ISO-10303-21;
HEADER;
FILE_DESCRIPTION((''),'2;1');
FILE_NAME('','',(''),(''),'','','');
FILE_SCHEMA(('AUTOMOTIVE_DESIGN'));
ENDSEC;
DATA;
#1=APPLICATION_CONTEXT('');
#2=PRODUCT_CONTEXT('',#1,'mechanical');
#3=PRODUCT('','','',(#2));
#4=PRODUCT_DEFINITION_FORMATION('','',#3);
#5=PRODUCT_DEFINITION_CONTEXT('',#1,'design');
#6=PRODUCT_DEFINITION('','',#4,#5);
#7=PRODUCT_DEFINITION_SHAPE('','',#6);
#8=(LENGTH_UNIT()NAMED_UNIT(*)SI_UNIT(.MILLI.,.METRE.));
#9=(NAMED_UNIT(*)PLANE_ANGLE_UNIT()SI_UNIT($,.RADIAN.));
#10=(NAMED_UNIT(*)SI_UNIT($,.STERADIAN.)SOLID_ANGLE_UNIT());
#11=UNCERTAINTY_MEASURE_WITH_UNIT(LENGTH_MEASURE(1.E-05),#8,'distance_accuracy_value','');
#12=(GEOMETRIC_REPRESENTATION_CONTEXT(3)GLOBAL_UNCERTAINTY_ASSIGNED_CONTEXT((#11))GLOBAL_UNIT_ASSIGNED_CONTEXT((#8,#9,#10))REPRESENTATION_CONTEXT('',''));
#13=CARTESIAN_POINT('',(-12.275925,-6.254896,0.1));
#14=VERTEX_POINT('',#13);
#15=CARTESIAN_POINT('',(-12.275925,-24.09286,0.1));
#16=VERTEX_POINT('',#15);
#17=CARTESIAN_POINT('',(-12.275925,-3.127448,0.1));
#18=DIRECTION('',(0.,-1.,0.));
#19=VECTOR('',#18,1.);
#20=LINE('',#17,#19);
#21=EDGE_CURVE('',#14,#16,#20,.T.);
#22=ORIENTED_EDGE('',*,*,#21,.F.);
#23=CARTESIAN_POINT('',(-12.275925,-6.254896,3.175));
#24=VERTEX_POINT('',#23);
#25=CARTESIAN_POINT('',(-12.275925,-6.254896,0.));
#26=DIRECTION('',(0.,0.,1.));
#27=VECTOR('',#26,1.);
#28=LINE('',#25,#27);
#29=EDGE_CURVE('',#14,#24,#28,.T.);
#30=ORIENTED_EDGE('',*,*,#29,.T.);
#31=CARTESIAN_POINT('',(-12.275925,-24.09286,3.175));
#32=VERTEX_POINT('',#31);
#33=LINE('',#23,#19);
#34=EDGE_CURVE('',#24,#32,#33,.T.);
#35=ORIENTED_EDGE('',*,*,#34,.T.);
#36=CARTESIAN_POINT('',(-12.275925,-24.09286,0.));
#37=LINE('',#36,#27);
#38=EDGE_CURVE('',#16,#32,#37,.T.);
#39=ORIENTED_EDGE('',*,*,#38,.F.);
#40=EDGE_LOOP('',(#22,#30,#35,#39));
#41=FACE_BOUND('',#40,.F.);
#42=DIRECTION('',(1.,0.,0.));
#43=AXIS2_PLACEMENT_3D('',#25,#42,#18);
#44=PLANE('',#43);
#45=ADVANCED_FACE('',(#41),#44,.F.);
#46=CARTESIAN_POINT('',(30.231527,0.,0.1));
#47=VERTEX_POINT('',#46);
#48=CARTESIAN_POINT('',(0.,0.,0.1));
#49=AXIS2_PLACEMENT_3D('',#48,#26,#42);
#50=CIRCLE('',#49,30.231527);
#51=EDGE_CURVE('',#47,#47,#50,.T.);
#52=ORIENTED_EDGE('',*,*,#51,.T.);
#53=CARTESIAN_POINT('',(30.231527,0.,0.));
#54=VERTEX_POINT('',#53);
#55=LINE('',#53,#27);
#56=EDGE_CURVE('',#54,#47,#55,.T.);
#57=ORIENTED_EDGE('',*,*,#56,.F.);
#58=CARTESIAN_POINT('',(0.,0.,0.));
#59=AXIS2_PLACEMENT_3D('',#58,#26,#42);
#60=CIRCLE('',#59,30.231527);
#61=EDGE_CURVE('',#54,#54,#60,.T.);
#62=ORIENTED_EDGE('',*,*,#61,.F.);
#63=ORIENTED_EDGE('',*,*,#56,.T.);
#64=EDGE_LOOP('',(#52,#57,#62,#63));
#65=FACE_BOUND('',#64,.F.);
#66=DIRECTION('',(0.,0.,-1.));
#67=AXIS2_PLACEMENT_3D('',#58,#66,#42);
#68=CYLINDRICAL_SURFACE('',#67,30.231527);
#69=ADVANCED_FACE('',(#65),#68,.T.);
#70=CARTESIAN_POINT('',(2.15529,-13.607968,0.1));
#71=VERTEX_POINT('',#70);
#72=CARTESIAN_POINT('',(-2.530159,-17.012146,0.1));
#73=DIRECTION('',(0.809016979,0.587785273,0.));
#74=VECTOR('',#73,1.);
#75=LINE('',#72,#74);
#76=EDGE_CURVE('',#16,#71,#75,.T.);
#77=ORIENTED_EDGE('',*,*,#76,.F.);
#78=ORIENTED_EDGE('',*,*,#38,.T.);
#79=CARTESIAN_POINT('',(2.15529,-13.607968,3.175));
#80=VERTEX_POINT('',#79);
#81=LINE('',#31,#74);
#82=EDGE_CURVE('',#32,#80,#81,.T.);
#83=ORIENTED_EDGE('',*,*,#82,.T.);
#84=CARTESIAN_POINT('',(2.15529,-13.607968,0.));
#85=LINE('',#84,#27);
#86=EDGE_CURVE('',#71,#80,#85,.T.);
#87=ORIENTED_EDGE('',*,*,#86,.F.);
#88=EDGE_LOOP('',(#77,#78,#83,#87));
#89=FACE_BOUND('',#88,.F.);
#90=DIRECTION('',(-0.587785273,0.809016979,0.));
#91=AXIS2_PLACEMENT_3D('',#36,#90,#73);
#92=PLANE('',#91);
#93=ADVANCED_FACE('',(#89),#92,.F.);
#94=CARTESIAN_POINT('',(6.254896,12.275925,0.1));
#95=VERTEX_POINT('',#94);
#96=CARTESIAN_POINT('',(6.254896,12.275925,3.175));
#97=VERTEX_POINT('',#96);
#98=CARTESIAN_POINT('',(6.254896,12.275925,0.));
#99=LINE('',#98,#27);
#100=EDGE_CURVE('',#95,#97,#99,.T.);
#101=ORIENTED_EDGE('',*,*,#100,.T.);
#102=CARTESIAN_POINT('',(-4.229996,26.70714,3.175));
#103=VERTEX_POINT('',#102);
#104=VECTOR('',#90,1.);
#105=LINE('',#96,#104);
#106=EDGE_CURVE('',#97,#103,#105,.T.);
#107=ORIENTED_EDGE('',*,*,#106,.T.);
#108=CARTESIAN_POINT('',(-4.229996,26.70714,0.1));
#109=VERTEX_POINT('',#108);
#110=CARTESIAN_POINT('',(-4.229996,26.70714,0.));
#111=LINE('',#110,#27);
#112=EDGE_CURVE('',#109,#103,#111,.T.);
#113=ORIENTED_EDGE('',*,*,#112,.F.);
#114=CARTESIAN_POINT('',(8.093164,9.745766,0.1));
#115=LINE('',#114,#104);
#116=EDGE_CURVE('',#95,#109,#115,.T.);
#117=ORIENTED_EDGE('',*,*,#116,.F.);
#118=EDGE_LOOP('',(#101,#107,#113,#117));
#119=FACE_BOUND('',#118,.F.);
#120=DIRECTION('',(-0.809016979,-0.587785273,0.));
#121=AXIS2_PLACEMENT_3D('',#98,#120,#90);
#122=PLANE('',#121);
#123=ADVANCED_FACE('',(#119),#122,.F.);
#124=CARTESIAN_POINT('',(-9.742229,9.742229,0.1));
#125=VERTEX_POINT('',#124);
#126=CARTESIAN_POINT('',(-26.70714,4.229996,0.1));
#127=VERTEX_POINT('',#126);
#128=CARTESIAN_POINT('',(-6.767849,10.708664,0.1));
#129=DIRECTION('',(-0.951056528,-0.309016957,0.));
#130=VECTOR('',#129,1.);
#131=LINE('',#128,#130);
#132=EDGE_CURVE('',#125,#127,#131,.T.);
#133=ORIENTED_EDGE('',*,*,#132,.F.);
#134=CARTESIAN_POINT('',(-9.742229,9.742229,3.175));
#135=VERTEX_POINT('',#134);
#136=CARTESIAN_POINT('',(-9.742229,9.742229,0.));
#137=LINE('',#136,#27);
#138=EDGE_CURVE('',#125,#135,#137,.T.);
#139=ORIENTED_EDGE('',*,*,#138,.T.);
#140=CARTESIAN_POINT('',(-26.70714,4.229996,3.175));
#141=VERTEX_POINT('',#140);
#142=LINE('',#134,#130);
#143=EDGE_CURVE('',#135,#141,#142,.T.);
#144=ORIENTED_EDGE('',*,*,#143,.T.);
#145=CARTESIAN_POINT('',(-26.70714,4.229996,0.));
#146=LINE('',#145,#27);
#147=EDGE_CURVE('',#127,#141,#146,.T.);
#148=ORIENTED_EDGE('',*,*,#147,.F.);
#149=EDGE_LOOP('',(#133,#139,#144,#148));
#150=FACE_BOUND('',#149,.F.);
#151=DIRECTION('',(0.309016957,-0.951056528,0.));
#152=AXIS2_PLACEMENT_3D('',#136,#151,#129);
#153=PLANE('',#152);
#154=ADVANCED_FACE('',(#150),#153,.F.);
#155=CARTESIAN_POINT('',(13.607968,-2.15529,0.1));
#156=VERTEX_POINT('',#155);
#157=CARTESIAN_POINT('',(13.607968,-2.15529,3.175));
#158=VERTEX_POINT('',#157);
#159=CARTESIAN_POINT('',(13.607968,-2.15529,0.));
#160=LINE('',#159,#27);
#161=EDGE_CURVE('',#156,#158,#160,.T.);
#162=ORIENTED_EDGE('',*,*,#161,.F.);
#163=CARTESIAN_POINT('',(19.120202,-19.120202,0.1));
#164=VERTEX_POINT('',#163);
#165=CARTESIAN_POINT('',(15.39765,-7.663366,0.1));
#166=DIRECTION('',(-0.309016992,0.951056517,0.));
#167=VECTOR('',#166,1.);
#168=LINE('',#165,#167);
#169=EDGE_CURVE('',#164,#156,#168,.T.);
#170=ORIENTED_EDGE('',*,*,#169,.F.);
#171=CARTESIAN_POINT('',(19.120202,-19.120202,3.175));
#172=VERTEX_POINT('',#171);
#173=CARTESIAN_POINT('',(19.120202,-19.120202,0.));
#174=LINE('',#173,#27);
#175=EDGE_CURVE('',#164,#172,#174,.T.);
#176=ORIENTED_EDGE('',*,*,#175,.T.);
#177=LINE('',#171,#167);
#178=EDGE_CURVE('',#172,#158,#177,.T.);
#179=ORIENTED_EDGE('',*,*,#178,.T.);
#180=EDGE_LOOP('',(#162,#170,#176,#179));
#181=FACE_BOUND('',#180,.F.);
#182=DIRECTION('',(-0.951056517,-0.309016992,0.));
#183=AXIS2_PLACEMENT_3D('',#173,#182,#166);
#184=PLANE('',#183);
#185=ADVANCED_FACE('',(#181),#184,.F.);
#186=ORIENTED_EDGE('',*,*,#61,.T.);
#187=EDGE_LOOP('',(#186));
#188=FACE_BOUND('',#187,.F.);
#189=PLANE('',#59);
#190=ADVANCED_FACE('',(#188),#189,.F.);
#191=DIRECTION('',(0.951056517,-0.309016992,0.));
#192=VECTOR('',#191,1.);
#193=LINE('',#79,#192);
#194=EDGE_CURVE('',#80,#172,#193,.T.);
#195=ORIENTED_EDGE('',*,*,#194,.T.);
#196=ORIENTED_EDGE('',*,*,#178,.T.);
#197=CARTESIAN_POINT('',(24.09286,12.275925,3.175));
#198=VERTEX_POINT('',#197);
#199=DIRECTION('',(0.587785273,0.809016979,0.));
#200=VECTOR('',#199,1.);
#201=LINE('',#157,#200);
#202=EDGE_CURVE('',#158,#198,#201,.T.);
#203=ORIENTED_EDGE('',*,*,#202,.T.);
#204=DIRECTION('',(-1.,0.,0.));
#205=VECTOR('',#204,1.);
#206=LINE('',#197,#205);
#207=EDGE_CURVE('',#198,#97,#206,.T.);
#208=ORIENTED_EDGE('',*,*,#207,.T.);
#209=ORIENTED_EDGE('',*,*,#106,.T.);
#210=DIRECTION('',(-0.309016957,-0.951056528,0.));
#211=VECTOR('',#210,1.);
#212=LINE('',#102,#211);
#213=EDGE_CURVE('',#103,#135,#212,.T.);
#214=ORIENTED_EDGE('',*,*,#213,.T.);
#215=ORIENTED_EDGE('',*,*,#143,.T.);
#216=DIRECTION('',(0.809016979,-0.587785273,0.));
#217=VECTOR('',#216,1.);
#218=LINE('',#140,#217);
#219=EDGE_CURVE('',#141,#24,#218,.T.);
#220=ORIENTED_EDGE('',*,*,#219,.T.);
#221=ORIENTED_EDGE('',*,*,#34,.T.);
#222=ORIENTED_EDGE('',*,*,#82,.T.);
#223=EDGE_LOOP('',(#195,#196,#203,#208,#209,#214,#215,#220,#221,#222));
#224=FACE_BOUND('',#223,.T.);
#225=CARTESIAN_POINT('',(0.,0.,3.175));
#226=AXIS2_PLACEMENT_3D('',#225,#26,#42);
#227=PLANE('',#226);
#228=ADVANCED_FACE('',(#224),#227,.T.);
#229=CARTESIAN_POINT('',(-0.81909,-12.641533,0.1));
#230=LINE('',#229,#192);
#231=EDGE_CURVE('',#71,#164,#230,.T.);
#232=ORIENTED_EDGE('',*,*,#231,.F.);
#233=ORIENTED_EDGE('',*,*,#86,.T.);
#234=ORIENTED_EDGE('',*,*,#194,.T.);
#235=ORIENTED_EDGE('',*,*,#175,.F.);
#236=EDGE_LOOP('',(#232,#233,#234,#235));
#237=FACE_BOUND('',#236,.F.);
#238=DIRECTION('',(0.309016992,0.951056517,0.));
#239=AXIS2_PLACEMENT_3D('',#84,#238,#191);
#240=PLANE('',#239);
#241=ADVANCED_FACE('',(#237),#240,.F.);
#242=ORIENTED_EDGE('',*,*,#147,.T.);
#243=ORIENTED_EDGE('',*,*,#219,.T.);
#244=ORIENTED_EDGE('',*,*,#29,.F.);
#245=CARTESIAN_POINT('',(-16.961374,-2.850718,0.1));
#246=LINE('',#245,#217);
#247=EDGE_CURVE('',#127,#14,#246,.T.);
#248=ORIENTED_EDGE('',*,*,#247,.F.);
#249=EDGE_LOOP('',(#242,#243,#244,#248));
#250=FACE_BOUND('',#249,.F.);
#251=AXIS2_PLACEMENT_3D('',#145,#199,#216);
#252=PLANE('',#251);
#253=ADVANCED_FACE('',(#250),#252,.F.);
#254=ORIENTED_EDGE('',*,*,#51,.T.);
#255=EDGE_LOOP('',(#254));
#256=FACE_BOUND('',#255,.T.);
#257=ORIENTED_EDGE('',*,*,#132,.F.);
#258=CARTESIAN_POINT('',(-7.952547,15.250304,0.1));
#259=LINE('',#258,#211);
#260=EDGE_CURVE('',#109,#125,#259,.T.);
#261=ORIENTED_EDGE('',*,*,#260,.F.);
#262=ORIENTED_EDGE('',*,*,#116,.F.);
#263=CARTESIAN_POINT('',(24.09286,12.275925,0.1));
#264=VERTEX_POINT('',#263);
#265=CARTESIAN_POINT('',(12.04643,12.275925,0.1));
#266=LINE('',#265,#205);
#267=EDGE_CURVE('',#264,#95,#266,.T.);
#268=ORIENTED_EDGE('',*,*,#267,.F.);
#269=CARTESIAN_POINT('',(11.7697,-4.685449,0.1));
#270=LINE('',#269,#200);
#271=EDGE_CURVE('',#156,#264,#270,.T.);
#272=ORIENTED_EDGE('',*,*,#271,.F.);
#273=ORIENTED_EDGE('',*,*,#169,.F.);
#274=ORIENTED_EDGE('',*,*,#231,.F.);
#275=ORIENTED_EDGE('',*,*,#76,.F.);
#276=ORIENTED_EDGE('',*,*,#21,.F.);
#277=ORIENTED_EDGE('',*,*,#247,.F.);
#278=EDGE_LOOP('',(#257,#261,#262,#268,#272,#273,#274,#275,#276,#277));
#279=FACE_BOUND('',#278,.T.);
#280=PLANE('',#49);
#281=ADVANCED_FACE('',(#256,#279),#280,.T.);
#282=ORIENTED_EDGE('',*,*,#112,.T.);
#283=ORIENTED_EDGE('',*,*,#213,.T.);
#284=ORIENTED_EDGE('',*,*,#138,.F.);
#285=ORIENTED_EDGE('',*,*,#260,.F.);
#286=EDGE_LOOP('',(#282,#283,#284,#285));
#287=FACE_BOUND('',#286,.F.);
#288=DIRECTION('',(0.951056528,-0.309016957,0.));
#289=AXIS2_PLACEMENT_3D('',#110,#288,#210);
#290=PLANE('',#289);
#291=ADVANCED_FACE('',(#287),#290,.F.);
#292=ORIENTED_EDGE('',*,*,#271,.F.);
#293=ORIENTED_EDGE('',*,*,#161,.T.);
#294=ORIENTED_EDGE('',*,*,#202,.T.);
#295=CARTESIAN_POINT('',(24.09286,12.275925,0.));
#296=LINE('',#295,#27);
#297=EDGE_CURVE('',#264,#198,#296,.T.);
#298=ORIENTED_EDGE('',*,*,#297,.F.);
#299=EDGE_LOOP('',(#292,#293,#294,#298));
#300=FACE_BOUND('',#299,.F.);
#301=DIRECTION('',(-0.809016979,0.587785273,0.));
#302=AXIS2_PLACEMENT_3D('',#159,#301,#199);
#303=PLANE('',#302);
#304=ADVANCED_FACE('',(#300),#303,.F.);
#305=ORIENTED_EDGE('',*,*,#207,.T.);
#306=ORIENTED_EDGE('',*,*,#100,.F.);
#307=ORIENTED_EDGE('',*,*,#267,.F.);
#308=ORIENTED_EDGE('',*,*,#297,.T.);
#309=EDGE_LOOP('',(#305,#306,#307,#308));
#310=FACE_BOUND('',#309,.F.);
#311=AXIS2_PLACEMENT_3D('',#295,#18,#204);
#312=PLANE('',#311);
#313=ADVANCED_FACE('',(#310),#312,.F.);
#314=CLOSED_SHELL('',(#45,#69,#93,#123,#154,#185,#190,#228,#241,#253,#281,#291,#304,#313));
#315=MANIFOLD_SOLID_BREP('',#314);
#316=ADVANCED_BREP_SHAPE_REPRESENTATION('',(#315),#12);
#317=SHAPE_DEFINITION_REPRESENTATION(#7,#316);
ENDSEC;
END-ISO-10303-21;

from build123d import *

# Parameters (mm, degrees)
F1_DEPTH = 3.175
F2_R     = 30.231527
F3_DEPTH = 0.1


with BuildPart() as f1:
    # F0 (on Top) → F1 (new body)
    with BuildSketch(Plane.XY):
        Polygon((-4.229996, 26.70714), (-9.742229, 9.742229), (-26.70714, 4.229996), (-12.275925, -6.254896), (-12.275925, -24.09286), (2.15529, -13.607968), (19.120202, -19.120202), (13.607968, -2.15529), (24.09286, 12.275925), (6.254896, 12.275925), align=None)
    extrude(amount=F1_DEPTH)

    # F2 (on Top) → F3 (join)
    with BuildSketch(Plane.XY):
        Circle(F2_R)
    extrude(amount=F3_DEPTH)


solid = f1.part
